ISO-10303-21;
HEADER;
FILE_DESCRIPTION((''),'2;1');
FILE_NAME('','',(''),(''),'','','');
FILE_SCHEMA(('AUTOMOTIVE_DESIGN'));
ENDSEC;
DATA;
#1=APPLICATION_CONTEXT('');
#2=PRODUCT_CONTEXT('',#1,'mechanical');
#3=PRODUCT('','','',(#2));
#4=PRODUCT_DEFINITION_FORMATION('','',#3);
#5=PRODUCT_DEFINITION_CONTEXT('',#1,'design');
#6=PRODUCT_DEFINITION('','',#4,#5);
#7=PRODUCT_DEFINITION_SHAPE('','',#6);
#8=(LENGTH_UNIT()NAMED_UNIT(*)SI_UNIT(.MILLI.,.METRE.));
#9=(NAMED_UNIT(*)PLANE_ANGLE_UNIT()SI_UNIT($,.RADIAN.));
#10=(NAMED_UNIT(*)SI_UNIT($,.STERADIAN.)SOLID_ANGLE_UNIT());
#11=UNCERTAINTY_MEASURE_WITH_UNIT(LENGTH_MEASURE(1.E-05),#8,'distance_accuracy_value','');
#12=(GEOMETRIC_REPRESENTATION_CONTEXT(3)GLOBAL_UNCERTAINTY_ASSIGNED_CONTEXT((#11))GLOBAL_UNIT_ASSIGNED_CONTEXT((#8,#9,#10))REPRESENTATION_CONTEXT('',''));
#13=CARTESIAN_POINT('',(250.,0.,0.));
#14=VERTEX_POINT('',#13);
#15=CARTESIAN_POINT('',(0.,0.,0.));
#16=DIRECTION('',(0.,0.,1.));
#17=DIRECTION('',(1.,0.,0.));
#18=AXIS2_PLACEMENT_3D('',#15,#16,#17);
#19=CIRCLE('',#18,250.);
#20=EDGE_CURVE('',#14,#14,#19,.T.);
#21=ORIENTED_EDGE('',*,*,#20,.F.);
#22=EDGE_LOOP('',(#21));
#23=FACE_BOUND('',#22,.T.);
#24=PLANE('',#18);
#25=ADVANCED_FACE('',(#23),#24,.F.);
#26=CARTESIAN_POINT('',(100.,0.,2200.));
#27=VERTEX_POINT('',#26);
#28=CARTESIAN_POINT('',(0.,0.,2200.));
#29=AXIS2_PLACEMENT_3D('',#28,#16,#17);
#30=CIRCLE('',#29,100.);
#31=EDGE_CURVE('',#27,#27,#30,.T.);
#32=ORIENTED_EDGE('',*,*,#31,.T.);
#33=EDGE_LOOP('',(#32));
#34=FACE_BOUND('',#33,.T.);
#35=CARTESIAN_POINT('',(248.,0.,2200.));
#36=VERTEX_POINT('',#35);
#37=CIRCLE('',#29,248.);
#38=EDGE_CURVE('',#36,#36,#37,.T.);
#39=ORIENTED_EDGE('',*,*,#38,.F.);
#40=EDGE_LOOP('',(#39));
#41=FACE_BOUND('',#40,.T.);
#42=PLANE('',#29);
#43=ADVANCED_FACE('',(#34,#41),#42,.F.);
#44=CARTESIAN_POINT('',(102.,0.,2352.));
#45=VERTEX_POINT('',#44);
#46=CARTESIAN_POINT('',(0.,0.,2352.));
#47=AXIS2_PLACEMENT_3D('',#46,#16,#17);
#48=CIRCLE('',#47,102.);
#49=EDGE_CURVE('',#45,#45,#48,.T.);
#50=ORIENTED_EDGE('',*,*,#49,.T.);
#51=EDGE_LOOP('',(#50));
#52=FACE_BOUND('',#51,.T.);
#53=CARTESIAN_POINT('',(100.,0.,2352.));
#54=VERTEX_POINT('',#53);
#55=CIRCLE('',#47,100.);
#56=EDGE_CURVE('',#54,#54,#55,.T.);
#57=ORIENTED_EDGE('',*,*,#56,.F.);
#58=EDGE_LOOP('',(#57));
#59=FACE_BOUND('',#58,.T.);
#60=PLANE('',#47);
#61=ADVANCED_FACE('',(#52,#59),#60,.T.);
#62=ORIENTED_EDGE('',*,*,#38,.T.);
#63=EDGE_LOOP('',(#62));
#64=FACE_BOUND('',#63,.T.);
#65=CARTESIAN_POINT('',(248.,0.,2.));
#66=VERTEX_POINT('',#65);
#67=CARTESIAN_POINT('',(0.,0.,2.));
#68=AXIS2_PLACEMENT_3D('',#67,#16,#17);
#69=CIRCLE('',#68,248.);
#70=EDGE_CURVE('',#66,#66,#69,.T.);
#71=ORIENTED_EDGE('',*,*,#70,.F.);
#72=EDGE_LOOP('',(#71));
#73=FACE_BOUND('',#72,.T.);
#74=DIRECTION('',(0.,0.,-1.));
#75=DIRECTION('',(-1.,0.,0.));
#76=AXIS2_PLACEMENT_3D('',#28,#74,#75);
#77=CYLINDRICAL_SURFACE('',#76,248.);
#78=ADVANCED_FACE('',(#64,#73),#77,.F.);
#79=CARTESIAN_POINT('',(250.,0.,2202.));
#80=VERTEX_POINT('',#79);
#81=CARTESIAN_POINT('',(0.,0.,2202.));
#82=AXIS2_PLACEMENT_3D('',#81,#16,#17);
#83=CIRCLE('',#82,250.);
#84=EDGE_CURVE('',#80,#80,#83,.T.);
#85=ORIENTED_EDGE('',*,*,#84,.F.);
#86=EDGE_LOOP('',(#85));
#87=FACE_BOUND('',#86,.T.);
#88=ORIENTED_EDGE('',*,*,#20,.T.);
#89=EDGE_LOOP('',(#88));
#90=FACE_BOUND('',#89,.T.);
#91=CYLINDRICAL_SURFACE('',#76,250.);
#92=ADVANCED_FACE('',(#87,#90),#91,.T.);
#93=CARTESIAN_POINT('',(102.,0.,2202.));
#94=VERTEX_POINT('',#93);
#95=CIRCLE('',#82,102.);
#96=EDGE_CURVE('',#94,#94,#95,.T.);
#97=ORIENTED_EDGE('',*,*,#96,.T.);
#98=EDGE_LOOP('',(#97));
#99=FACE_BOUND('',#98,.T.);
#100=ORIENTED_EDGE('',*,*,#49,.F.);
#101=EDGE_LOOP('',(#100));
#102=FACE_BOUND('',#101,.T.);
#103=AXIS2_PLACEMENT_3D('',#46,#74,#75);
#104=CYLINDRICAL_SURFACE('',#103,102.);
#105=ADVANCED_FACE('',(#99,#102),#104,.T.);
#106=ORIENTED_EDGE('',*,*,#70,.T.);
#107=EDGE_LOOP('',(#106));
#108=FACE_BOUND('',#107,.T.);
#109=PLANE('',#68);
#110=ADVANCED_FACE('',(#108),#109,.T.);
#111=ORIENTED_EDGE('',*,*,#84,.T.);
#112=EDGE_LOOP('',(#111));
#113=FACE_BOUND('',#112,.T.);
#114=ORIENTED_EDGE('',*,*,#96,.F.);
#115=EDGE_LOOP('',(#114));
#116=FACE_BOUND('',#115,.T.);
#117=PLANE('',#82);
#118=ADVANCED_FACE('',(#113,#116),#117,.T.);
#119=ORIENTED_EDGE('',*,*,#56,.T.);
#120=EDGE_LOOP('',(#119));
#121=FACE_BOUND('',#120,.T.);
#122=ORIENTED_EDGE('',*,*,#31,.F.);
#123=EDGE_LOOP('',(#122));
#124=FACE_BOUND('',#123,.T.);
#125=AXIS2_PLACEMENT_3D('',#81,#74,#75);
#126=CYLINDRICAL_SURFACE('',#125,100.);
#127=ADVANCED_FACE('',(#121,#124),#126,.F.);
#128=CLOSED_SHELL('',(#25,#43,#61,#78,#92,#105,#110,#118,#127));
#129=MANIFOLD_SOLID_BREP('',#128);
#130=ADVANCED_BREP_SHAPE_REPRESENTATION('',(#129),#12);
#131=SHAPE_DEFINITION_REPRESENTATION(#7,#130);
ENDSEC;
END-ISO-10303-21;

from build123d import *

# Parameters (mm, degrees)
SKETCH1_R           = 250
BOSS_EXTRUDE1_DEPTH = 2200
SHELL1_T            = -2
SKETCH10_R          = 250
SKETCH10_R_2        = 100
BOSS_EXTRUDE4_DEPTH = 2
SKETCH11_R          = 102
SKETCH11_R_2        = 100
EXTRUDE_THIN2_DEPTH = 150


with BuildPart() as part:
    # Sketch1 → Boss-Extrude1 (new body)
    with BuildSketch(Plane.XY):
        Circle(SKETCH1_R)
    extrude(amount=BOSS_EXTRUDE1_DEPTH)

    # Shell1
    shell1_openings = [part.faces().sort_by_distance(p)[0] for p in [
        (0, 0, 2200),
    ]]
    offset(amount=SHELL1_T, openings=shell1_openings, kind=Kind.INTERSECTION)

    # Sketch10 → Boss-Extrude4 (add)
    with BuildSketch(Plane.XY.offset(2200)):
        Circle(SKETCH10_R)
        Circle(SKETCH10_R_2, mode=Mode.SUBTRACT)
    extrude(amount=BOSS_EXTRUDE4_DEPTH)

    # Sketch11 → Extrude-Thin2 (add)
    with BuildSketch(Plane.XY.offset(2202)):
        Circle(SKETCH11_R)
        Circle(SKETCH11_R_2, mode=Mode.SUBTRACT)
    extrude(amount=EXTRUDE_THIN2_DEPTH)


solid = part.part
